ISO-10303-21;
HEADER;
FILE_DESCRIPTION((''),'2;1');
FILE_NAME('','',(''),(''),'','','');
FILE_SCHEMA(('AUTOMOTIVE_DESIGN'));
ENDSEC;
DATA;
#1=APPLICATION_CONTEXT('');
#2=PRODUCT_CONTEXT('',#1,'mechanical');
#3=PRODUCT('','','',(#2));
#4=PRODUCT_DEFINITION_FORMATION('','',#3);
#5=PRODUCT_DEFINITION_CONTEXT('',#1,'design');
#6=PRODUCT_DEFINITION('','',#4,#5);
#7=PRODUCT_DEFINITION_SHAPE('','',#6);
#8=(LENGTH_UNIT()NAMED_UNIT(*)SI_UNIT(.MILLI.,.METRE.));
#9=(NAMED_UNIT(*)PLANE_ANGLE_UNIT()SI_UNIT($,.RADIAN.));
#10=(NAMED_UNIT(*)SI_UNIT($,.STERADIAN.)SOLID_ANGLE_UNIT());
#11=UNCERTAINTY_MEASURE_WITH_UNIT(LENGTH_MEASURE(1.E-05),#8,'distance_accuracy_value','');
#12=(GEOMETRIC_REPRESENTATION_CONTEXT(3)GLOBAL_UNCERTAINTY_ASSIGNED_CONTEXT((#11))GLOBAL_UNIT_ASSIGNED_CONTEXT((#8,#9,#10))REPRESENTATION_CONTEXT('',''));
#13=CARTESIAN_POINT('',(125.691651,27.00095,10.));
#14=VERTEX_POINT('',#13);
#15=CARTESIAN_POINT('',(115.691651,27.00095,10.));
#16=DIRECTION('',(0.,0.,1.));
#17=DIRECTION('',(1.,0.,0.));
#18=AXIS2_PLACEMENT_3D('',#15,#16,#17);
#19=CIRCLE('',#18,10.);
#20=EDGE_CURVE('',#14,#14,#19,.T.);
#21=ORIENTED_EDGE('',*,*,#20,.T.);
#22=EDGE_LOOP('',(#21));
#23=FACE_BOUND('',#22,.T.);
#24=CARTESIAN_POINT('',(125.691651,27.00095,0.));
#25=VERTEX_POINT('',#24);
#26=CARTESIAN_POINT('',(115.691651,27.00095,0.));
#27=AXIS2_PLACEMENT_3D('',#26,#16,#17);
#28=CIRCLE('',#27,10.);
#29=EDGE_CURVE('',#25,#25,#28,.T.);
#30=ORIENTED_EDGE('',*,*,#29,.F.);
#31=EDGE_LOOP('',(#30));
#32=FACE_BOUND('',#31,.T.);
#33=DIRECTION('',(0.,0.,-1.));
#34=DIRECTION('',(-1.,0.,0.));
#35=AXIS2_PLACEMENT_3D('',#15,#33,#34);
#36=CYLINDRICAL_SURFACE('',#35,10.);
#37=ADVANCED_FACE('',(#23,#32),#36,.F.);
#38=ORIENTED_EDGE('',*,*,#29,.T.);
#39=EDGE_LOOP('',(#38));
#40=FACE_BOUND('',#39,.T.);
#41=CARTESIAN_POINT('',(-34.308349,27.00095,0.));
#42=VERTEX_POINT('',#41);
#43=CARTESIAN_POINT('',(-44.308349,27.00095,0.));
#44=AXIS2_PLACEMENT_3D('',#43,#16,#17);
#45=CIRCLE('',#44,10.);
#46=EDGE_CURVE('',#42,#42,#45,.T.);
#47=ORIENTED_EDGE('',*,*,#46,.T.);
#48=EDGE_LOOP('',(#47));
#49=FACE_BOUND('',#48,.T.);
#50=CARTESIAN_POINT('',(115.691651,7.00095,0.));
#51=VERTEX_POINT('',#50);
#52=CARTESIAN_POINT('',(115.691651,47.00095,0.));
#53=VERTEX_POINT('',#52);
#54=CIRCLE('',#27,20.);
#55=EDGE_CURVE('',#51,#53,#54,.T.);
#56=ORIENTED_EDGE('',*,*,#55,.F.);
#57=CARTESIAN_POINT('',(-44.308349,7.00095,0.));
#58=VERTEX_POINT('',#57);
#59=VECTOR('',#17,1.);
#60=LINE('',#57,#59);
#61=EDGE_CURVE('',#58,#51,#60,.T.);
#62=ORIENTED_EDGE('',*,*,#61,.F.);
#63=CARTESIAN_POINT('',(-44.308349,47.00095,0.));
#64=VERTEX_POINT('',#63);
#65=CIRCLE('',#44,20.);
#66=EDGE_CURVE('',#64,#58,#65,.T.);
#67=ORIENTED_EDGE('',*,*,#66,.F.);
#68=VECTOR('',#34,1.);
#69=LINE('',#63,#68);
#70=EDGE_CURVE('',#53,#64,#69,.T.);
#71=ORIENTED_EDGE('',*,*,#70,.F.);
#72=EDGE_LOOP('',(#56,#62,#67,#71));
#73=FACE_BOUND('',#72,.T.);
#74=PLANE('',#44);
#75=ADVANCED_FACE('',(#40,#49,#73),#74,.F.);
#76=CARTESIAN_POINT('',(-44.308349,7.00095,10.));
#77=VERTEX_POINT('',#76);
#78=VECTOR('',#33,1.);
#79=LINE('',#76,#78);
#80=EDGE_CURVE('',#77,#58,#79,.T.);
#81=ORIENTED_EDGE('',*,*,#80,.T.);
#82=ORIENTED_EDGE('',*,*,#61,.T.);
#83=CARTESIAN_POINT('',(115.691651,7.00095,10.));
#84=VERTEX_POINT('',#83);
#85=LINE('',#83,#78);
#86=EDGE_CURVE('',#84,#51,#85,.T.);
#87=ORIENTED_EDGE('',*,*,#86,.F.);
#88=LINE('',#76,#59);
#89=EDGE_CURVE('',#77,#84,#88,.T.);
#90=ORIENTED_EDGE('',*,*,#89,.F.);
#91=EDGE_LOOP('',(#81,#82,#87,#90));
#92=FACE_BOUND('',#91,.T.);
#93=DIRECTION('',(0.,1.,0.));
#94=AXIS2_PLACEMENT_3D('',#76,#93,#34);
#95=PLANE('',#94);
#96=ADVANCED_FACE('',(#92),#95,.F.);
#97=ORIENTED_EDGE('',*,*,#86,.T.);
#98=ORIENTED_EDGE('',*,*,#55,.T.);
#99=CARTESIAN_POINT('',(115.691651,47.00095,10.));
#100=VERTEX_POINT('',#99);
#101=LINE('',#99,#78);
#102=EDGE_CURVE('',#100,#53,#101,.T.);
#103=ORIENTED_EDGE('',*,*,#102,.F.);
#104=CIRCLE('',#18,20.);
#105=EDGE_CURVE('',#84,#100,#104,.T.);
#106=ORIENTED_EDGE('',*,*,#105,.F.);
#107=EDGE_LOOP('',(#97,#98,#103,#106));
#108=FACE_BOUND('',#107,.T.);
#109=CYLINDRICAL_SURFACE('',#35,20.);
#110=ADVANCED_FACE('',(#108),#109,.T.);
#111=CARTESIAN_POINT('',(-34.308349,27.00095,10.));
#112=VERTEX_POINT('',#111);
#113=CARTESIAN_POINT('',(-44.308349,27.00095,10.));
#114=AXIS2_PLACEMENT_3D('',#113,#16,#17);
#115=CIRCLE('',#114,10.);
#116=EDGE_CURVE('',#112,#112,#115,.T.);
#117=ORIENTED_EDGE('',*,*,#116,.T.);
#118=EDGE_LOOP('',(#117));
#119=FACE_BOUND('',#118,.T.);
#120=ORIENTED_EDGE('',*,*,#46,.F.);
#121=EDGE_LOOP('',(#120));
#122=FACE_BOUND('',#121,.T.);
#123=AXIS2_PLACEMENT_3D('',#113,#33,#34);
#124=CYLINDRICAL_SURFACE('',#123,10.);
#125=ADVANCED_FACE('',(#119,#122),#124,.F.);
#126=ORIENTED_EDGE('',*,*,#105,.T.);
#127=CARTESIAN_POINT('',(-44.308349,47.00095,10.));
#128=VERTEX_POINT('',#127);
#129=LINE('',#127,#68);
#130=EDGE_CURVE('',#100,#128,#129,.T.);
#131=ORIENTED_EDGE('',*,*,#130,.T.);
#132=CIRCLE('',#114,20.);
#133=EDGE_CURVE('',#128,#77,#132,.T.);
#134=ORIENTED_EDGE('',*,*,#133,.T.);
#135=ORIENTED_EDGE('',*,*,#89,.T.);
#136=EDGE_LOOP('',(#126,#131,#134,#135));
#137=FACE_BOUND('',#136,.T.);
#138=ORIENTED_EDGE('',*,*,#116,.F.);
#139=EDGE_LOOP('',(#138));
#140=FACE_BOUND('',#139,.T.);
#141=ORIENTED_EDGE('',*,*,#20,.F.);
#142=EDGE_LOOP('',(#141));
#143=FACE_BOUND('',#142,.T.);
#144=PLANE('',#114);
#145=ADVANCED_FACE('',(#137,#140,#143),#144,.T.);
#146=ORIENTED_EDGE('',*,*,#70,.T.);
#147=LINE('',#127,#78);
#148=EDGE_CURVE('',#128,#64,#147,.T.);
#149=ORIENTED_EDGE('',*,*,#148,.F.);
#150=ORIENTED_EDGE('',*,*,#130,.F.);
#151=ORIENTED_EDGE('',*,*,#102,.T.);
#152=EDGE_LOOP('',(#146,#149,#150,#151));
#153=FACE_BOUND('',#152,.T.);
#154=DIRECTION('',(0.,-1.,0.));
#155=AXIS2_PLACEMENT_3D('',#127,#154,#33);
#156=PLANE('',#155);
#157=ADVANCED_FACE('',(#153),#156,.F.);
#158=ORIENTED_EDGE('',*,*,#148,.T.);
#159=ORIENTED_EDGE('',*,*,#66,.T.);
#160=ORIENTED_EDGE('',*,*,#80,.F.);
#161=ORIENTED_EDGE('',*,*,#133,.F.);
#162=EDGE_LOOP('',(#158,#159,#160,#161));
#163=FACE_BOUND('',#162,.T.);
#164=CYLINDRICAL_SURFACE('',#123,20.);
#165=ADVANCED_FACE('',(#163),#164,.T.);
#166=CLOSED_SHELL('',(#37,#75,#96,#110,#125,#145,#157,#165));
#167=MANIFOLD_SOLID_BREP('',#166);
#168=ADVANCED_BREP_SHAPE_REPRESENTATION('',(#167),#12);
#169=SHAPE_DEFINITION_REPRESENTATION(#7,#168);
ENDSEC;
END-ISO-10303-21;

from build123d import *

# Parameters (mm, degrees)
SKETCH_1_R      = 10
EXTRUDE_1_DEPTH = 10


with BuildPart() as part:
    # 草图1 → 凸台-拉伸1 (new body)
    with BuildSketch(Plane.XY):
        with BuildLine():
            Line((-44.308348852, 47.000949508), (115.691651148, 47.000949508))
            ThreePointArc((115.691651148, 47.000949508), (135.691651148, 27.000949508), (115.691651148, 7.000949508))
            Line((115.691651148, 7.000949508), (-44.308348852, 7.000949508))
            ThreePointArc((-44.308348852, 7.000949508), (-64.308348852, 27.000949508), (-44.308348852, 47.000949508))
        make_face()
        with Locations((115.691651148, 27.000949508)):
            Circle(SKETCH_1_R, mode=Mode.SUBTRACT)
        with Locations((-44.308348852, 27.000949508)):
            Circle(SKETCH_1_R, mode=Mode.SUBTRACT)
    extrude(amount=EXTRUDE_1_DEPTH)


solid = part.part
